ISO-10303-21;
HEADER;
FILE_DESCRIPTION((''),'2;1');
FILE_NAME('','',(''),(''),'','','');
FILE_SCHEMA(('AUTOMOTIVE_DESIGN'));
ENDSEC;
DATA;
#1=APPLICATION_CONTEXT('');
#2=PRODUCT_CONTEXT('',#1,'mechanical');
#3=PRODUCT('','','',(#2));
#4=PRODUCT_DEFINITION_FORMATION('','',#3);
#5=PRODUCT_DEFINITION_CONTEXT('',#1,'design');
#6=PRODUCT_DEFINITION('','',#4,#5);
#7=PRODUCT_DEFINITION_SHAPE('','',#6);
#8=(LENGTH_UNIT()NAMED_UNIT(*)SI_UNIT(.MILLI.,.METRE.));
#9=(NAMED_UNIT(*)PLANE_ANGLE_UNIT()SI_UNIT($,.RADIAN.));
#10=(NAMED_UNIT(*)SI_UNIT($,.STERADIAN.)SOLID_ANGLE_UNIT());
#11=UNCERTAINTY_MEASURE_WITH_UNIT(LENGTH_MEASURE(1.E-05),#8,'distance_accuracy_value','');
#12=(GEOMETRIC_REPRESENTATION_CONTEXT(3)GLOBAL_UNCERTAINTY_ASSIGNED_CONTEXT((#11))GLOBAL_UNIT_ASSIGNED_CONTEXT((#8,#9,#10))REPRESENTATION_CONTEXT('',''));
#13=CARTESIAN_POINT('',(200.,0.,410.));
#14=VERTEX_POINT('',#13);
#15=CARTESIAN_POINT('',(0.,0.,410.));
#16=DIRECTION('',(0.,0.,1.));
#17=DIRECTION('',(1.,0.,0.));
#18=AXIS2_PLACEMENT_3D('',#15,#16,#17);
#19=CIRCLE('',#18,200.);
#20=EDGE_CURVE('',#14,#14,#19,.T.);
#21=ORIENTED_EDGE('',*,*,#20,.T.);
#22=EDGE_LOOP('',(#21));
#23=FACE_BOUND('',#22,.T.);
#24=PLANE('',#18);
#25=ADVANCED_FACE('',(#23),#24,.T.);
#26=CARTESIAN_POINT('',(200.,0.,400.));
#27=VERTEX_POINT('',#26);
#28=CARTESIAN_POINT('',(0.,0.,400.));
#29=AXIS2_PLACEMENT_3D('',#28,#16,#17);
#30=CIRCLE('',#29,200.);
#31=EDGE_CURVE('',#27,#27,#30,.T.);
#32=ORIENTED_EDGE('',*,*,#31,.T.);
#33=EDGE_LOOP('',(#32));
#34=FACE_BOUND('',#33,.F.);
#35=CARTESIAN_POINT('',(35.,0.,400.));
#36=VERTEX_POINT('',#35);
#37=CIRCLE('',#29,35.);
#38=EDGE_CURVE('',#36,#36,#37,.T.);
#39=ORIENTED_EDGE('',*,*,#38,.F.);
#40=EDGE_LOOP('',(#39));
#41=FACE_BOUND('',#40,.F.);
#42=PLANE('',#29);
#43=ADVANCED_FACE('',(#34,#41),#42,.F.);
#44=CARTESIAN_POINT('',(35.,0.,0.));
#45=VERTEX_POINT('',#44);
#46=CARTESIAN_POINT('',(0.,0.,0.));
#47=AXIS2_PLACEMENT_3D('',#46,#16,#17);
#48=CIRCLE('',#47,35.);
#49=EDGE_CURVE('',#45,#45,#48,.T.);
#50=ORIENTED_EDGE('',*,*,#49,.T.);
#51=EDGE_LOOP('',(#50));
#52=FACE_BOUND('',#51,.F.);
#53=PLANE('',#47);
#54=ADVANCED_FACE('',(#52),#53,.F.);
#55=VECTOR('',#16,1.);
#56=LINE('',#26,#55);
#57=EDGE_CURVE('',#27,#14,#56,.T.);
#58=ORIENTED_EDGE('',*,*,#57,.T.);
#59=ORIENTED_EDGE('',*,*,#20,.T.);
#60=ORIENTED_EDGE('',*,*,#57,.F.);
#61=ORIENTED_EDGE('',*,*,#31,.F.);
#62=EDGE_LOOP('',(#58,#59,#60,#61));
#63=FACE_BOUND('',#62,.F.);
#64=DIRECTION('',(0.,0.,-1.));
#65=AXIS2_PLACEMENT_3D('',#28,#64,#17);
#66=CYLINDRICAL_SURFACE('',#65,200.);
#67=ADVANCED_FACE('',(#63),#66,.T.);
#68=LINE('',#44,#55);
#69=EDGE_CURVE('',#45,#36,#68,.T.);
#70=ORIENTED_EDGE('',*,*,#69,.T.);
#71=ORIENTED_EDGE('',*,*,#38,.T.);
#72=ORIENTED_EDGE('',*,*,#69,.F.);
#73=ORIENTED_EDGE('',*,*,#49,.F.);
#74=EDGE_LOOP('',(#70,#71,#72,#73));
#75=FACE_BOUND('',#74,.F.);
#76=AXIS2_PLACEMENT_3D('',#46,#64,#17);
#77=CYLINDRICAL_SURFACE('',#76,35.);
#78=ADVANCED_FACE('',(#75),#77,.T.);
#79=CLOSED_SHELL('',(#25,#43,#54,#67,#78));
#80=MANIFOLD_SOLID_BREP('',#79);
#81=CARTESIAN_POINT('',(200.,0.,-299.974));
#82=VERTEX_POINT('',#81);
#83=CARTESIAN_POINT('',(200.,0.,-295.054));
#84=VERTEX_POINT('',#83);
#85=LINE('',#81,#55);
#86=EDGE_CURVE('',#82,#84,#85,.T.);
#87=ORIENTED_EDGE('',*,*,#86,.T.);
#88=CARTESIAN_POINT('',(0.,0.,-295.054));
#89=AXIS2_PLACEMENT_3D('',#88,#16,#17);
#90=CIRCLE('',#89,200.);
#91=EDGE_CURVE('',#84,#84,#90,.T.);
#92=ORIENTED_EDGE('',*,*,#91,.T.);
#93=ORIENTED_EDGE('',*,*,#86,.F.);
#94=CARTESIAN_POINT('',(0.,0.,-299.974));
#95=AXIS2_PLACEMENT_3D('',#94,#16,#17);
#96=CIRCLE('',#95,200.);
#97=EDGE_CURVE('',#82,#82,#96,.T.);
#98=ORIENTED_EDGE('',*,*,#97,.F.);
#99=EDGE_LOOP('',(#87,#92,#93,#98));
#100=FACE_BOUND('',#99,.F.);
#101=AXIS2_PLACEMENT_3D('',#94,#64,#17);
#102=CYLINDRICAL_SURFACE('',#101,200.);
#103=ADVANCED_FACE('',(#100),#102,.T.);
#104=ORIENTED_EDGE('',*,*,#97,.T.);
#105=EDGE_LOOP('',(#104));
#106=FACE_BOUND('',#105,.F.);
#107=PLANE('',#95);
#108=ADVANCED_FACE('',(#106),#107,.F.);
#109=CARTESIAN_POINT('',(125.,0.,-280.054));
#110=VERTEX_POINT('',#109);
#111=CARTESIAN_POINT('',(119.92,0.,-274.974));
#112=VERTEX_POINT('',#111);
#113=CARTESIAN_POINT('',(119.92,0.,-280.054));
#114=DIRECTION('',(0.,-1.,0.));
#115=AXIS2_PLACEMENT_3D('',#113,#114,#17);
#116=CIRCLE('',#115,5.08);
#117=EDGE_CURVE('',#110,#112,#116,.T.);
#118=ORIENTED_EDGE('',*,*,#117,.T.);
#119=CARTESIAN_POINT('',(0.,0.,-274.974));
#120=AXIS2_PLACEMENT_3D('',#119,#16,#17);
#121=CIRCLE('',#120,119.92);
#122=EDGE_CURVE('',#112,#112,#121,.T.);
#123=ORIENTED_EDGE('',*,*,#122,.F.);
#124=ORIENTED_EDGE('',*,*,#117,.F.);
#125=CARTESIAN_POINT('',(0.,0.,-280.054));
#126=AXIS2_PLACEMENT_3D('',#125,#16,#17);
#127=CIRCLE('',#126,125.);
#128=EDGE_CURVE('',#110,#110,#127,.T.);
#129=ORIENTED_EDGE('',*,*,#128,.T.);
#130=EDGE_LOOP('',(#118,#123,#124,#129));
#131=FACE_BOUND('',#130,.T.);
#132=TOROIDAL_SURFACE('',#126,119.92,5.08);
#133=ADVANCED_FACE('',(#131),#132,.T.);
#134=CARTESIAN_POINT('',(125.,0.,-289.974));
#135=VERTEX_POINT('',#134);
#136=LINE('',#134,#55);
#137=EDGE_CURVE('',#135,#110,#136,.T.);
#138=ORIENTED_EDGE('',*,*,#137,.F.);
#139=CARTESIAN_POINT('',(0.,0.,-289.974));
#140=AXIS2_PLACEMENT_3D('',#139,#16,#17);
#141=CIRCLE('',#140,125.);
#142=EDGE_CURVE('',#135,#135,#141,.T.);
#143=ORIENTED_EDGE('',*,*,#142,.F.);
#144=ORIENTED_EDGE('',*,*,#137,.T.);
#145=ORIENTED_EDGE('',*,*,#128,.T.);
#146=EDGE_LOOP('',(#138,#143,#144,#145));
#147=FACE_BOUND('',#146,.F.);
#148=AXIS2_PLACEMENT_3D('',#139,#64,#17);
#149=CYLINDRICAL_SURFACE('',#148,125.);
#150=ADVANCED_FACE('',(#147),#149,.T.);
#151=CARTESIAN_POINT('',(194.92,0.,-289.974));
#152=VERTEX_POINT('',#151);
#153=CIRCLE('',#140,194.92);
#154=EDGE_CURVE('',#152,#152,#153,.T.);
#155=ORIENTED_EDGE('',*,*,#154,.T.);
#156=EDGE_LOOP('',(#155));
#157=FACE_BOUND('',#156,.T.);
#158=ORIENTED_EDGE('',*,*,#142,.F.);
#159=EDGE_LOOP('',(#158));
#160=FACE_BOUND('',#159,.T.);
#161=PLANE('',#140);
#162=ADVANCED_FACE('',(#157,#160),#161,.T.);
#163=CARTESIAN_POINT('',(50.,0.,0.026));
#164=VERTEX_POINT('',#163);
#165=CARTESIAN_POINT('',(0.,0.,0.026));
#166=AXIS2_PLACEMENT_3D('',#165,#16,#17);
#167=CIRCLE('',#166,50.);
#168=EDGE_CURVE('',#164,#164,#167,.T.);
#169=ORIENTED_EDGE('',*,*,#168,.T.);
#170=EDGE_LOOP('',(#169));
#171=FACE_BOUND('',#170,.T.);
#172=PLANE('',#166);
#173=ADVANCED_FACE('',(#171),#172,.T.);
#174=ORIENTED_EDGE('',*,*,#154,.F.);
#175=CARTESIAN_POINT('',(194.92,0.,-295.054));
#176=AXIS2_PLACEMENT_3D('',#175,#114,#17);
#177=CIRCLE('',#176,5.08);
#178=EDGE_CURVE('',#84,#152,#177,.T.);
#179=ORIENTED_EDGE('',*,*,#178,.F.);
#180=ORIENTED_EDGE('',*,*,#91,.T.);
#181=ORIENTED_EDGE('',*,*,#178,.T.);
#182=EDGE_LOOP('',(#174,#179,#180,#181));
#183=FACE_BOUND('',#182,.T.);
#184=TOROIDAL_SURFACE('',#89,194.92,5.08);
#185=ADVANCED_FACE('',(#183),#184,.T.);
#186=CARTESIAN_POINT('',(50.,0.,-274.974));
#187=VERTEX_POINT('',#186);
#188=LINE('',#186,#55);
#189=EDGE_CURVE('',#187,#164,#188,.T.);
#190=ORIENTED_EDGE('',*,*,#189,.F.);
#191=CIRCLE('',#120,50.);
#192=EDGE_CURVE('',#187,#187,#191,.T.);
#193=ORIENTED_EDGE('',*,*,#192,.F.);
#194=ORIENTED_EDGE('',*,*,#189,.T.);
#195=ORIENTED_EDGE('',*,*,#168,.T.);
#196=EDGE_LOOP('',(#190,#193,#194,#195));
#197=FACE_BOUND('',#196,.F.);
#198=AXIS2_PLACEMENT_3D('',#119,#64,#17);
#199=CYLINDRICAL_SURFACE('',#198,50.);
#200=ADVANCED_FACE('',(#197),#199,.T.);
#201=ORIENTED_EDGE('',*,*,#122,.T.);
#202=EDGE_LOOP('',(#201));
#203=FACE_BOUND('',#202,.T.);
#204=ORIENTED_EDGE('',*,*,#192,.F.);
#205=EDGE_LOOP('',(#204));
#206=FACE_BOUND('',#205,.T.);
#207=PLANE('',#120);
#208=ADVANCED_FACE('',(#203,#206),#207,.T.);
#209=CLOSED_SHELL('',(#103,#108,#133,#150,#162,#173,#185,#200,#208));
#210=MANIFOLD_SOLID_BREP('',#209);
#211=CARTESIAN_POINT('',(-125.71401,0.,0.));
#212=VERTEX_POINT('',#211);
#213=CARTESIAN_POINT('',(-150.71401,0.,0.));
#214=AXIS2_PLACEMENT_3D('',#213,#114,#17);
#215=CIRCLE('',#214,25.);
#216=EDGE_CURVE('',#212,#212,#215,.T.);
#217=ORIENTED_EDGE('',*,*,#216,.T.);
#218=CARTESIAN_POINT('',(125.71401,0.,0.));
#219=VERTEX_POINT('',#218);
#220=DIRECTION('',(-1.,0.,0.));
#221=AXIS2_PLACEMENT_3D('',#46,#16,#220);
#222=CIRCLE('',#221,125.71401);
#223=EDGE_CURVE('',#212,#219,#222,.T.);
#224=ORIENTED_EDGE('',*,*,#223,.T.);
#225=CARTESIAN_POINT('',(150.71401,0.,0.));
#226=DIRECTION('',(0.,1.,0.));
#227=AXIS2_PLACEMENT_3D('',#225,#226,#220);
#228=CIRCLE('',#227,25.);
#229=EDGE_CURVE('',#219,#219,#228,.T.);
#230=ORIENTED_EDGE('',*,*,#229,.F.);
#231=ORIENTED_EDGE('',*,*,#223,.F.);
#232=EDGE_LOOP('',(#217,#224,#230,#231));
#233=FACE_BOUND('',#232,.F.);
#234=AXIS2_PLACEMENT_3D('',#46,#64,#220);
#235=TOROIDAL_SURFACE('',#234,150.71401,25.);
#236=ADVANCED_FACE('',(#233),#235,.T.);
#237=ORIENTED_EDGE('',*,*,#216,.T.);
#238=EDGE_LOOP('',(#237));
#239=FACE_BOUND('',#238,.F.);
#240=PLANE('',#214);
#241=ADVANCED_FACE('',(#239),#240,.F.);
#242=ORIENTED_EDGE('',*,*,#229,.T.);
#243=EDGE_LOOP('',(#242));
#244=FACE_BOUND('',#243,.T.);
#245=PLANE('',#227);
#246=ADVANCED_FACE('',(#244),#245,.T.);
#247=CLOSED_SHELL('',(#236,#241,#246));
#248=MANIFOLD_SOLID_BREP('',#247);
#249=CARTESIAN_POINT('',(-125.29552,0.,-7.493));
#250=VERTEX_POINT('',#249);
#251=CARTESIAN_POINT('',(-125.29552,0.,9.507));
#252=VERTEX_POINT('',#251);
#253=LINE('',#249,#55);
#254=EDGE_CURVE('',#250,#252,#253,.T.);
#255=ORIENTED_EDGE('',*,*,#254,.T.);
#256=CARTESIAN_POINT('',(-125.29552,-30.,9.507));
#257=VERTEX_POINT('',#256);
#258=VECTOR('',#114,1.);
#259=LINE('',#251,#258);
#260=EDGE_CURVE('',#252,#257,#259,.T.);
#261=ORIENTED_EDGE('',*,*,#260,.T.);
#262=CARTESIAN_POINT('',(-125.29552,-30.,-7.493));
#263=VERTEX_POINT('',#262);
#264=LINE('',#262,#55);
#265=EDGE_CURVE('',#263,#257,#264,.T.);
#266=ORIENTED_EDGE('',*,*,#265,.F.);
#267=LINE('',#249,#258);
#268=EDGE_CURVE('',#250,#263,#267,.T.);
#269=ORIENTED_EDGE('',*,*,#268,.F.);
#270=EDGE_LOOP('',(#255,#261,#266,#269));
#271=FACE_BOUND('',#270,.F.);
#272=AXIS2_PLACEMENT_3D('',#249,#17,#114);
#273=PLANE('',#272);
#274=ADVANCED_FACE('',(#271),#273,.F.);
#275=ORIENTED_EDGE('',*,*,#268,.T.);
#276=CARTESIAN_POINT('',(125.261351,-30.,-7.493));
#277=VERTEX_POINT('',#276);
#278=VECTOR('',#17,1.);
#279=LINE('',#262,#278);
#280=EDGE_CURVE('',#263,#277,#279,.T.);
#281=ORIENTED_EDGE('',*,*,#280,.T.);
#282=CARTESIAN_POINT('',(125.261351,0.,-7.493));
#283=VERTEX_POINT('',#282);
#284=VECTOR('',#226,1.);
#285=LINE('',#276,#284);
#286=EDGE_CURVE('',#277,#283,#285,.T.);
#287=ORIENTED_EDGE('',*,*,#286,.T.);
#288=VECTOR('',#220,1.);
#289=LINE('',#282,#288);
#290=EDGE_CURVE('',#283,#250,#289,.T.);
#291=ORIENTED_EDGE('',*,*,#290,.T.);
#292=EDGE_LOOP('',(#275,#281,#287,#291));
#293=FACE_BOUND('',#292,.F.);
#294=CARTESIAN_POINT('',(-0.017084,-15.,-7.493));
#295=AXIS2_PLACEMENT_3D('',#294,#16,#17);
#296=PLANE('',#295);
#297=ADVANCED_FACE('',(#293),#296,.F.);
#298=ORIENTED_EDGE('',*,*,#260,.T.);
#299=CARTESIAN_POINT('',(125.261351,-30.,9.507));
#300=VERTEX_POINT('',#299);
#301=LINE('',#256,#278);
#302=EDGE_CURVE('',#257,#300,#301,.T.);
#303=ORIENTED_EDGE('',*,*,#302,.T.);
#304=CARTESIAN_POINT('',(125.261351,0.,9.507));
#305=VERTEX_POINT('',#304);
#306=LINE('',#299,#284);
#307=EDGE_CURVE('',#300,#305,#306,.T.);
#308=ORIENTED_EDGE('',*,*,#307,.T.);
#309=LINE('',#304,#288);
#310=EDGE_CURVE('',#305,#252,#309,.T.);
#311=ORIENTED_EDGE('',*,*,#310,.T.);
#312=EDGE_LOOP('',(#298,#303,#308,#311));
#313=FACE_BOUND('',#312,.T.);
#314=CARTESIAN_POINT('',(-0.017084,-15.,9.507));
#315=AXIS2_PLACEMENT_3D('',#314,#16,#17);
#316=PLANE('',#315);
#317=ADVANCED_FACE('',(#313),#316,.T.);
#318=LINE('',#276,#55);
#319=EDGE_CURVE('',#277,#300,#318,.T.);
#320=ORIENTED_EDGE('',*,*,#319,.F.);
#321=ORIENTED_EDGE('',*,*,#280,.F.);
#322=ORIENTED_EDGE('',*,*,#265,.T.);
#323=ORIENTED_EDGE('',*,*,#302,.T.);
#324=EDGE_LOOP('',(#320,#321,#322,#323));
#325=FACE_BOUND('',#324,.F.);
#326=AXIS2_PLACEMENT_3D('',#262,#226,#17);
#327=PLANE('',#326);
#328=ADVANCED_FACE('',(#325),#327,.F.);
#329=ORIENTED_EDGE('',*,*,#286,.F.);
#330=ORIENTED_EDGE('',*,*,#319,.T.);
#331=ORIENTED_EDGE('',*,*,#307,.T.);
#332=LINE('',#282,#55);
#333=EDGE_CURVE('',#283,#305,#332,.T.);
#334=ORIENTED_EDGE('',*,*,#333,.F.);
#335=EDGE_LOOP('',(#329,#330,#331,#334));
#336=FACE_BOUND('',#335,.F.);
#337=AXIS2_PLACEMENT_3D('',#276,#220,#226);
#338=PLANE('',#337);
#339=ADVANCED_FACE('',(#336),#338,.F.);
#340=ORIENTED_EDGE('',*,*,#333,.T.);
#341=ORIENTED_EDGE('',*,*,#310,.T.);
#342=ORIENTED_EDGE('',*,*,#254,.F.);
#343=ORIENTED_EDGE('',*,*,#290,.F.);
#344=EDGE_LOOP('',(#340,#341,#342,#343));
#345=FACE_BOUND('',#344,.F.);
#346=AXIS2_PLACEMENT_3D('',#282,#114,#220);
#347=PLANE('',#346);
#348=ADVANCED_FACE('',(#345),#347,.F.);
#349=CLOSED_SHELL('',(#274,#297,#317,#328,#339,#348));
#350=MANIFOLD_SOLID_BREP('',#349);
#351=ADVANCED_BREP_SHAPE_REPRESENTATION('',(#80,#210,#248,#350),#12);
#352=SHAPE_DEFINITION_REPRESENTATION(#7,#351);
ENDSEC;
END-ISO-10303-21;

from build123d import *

# Parameters (mm, degrees)
F1_R      = 200
F2_DEPTH  = 10
F3_R      = 125
F4_DEPTH  = 15
F5_R      = 5.08
F6_R      = 50
F7_DEPTH  = 275
F9_R      = 25
F10_ANGLE = 180
F11_DEPTH = 17
F13_R     = 35
F14_DEPTH = 400
F15_R     = 200
F16_DEPTH = 10


with BuildPart() as f2:
    # F1 (on offset) → F2 (new body)
    with BuildSketch(Plane.XY.offset(-299.974)):
        Circle(F1_R)
    extrude(amount=F2_DEPTH)

    # F3 (on face) → F4 (join)
    with BuildSketch(Plane.XY.offset(-289.974)):
        Circle(F3_R)
    extrude(amount=F4_DEPTH)

    # F5
    f5_edges = [f2.edges().sort_by_distance(p)[0] for p in [
        (-200, 0, -289.974),
        (-125, 0, -274.974),
    ]]
    fillet(f5_edges, radius=F5_R)

    # F6 (on face) → F7 (join)
    with BuildSketch(Plane.XY.offset(-274.974)):
        Circle(F6_R)
    extrude(amount=F7_DEPTH)


with BuildPart() as f10:
    # F9 (on Front) → F10 (revolve)
    with BuildSketch(Plane.XZ):
        with Locations((-150.7140100002, 0)):
            Circle(F9_R)
    revolve(axis=Axis((0, 0, -274.974), (0, 0, 1)), revolution_arc=F10_ANGLE)


with BuildPart() as f11:
    # F8 (on Top) → F11 (new body)
    with BuildSketch(Plane.XY):
        Polygon((49.9921217561, 0), (-49.7969053686, 0), (-125.2955198288, 0), (-125.2955198288, -30), (125.2613514662, -30), (125.2613514662, 0), align=None)
    extrude(amount=F11_DEPTH)


with BuildPart() as f11_1:
    # F12: moved
    add(f11.part.moved(Location((0, 0, -7.493))))


with BuildPart() as f14:
    # F13 (on Top) → F14 (new body)
    with BuildSketch(Plane.XY):
        Circle(F13_R)
    extrude(amount=F14_DEPTH)

    # F15 (on face) → F16 (join)
    with BuildSketch(Plane.XY.offset(400)):
        Circle(F15_R)
    extrude(amount=F16_DEPTH)


solid = Compound([f2.part, f10.part, f11_1.part, f14.part])
